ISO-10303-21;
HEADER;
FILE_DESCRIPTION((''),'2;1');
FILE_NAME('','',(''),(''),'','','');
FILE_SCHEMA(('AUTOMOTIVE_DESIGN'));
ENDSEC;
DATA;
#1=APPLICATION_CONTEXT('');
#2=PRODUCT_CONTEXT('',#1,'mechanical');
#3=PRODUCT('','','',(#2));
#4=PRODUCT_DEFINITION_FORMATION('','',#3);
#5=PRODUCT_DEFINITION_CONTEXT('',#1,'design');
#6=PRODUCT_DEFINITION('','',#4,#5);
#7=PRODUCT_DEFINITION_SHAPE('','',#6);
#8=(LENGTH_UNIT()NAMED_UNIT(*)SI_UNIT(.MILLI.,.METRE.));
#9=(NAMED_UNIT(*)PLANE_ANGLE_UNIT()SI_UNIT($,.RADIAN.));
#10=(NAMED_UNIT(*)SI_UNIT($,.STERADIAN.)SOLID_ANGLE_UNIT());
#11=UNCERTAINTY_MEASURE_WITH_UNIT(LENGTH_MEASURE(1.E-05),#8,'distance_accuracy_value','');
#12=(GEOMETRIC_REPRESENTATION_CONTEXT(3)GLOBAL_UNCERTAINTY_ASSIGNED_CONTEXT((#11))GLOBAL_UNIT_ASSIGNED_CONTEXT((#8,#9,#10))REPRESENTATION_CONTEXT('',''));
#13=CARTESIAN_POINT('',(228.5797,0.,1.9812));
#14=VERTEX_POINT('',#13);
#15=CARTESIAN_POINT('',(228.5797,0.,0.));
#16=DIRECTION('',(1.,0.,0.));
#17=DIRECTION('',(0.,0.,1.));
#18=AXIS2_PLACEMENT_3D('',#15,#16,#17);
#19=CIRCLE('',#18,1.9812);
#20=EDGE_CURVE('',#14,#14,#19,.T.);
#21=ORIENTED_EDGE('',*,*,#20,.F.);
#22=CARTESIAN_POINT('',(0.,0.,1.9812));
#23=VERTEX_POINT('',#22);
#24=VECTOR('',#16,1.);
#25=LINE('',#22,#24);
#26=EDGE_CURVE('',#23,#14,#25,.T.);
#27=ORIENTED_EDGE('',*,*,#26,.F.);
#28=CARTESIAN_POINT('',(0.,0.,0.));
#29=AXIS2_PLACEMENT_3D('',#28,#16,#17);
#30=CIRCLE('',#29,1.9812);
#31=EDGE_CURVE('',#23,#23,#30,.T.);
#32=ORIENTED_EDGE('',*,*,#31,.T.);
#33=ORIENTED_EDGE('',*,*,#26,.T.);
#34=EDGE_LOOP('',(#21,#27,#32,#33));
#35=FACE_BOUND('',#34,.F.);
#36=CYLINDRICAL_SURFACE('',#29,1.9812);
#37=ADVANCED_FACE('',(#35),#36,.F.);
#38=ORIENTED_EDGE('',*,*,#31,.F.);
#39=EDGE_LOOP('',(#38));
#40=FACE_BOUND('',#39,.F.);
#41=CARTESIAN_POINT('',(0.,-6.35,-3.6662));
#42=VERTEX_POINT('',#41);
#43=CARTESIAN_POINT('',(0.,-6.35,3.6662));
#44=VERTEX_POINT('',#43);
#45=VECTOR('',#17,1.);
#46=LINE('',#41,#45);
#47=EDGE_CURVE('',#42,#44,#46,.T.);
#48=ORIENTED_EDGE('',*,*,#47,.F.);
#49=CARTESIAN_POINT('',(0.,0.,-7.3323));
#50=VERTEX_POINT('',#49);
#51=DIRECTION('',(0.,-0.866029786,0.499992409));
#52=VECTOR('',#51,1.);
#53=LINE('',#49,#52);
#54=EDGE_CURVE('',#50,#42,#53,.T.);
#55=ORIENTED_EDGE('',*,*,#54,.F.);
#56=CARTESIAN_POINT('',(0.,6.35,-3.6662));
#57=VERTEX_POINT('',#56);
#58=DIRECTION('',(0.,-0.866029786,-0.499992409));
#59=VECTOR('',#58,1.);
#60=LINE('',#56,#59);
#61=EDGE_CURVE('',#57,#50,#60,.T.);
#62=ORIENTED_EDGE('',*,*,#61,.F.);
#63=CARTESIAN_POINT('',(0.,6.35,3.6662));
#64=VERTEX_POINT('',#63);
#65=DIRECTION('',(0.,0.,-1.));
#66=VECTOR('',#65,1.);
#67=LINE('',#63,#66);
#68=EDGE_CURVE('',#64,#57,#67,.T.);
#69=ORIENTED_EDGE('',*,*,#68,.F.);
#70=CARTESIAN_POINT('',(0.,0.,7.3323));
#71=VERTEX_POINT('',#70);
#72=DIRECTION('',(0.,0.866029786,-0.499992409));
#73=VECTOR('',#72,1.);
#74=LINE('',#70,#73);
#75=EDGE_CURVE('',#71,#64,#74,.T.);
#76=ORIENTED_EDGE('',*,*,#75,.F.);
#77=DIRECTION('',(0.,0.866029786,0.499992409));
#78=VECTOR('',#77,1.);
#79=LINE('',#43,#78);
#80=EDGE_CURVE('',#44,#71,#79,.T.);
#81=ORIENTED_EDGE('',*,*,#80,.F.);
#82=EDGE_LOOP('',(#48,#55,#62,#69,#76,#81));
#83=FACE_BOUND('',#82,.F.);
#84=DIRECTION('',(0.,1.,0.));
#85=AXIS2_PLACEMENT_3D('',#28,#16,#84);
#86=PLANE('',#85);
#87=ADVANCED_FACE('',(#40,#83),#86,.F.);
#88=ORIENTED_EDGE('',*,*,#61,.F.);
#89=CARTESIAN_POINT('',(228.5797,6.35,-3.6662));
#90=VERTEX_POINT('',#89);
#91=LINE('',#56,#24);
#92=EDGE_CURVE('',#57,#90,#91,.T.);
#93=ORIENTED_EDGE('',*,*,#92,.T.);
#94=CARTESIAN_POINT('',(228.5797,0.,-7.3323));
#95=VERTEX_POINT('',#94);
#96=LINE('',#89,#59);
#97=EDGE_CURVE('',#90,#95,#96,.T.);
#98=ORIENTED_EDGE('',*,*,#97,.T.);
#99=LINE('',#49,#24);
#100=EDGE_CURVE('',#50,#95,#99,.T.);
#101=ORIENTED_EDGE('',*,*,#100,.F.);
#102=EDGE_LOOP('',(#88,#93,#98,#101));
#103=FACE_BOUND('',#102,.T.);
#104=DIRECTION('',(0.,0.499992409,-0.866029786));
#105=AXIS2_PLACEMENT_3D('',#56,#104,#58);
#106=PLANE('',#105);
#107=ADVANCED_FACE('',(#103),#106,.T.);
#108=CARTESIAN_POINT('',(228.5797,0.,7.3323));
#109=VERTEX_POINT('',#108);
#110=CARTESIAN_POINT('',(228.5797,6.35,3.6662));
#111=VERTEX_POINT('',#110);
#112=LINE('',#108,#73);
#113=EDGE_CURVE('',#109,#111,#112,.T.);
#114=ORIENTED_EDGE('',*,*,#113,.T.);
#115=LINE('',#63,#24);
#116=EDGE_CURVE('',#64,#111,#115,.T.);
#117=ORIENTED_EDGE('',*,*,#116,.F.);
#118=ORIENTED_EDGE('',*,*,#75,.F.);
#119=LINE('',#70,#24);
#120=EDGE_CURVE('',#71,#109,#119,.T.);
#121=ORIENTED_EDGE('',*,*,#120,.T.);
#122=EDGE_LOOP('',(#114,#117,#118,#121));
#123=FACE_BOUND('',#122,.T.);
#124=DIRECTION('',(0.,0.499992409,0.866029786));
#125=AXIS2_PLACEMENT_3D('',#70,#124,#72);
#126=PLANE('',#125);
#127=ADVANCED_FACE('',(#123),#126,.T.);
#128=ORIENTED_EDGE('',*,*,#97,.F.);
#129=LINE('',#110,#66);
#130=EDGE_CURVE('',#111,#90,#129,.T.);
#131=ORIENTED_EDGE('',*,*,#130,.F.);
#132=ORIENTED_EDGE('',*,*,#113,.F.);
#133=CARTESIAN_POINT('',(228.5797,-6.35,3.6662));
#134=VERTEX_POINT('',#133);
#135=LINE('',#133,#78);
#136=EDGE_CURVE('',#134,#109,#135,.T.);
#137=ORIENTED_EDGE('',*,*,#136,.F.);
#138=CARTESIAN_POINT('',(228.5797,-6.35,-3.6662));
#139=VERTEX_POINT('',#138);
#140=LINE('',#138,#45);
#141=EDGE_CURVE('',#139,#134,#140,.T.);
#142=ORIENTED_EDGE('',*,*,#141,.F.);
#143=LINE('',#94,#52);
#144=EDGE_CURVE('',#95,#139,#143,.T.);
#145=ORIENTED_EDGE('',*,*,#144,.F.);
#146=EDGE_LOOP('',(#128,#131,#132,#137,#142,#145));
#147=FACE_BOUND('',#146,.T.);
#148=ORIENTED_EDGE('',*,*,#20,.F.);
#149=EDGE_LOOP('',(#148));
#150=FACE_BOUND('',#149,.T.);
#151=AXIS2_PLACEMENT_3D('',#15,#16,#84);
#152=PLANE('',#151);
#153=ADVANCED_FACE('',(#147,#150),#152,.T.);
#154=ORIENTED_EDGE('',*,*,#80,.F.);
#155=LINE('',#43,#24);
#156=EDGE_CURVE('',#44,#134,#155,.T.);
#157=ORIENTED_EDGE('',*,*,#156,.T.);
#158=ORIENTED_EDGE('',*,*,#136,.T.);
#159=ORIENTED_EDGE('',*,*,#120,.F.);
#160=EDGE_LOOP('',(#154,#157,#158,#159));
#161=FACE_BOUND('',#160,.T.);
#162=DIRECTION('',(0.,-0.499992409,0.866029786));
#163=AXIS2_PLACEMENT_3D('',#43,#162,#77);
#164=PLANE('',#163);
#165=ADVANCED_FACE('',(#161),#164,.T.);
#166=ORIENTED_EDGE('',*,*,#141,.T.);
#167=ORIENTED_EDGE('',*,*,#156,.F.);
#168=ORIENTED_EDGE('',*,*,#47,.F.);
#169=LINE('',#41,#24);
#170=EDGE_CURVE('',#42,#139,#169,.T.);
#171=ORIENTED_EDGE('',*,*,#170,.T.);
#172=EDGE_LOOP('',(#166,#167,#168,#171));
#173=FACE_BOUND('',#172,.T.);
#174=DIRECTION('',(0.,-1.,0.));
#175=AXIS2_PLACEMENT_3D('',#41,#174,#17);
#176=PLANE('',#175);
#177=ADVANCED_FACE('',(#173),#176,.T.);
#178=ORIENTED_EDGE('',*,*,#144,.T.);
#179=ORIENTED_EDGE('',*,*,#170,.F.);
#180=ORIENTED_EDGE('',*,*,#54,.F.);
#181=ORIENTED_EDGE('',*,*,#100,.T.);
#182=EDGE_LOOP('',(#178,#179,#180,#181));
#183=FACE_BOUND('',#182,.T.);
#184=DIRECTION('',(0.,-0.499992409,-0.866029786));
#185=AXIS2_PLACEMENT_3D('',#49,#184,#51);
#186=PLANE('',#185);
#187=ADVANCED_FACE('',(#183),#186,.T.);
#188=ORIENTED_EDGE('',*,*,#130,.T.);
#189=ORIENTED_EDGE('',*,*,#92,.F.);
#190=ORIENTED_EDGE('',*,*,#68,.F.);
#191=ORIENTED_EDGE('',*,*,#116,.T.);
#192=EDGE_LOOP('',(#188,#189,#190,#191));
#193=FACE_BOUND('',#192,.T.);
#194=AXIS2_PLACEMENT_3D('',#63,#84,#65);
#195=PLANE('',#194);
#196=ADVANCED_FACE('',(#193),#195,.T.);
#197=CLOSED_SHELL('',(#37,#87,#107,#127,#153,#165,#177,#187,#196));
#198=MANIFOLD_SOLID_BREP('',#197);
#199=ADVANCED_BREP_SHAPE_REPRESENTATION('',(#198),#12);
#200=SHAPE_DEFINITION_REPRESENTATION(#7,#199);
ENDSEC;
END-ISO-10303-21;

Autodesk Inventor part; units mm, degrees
ref_plane "YZ Plane" through (0, 0, 0) normal (1, 0, 0) x (0, 1, 0)
ref_plane "XZ Plane" through (0, 0, 0) normal (0, 1, 0) x (-1, 0, 0)
ref_plane "XY Plane" through (0, 0, 0) normal (0, 0, 1) x (1, 0, 0)
sketch "Sketch1" plane through (0, 0, 0) normal (1, 0, 0) x (0, 1, 0)
  line L0 (-6.35, -3.6662) -> (-6.35, 3.6662)
  line L1 (-6.35, 3.6662) -> (0, 7.3323)
  line L2 (0, 7.3323) -> (6.35, 3.6662)
  line L3 (6.35, 3.6662) -> (6.35, -3.6662)
  line L4 (6.35, -3.6662) -> (0, -7.3323)
  line L5 (0, -7.3323) -> (-6.35, -3.6662)
  point P0 (0, 0)
  point P1 (0, 0)
  dimension "d0" = 12.7
extrude "Extrusion1" add sketch "Sketch1" along normal blind 228.5797
sketch "Sketch2" plane through (0, 0, 0) normal (-1, 0, 0) x (0, 0, 1)
  point P0 (0, 0)
  point P1 (0, 0)
hole "Hole1" at (0, 0, 0) direction (1, 0, 0) diameter 3.9624 end through all thread size "10-32 UNF" class "2B" standard "ANSI Unified Screw Threads"
properties part number "STOCK,SHAFT,HEX,HOOD,WHEELS" material "Aluminum 6061"
